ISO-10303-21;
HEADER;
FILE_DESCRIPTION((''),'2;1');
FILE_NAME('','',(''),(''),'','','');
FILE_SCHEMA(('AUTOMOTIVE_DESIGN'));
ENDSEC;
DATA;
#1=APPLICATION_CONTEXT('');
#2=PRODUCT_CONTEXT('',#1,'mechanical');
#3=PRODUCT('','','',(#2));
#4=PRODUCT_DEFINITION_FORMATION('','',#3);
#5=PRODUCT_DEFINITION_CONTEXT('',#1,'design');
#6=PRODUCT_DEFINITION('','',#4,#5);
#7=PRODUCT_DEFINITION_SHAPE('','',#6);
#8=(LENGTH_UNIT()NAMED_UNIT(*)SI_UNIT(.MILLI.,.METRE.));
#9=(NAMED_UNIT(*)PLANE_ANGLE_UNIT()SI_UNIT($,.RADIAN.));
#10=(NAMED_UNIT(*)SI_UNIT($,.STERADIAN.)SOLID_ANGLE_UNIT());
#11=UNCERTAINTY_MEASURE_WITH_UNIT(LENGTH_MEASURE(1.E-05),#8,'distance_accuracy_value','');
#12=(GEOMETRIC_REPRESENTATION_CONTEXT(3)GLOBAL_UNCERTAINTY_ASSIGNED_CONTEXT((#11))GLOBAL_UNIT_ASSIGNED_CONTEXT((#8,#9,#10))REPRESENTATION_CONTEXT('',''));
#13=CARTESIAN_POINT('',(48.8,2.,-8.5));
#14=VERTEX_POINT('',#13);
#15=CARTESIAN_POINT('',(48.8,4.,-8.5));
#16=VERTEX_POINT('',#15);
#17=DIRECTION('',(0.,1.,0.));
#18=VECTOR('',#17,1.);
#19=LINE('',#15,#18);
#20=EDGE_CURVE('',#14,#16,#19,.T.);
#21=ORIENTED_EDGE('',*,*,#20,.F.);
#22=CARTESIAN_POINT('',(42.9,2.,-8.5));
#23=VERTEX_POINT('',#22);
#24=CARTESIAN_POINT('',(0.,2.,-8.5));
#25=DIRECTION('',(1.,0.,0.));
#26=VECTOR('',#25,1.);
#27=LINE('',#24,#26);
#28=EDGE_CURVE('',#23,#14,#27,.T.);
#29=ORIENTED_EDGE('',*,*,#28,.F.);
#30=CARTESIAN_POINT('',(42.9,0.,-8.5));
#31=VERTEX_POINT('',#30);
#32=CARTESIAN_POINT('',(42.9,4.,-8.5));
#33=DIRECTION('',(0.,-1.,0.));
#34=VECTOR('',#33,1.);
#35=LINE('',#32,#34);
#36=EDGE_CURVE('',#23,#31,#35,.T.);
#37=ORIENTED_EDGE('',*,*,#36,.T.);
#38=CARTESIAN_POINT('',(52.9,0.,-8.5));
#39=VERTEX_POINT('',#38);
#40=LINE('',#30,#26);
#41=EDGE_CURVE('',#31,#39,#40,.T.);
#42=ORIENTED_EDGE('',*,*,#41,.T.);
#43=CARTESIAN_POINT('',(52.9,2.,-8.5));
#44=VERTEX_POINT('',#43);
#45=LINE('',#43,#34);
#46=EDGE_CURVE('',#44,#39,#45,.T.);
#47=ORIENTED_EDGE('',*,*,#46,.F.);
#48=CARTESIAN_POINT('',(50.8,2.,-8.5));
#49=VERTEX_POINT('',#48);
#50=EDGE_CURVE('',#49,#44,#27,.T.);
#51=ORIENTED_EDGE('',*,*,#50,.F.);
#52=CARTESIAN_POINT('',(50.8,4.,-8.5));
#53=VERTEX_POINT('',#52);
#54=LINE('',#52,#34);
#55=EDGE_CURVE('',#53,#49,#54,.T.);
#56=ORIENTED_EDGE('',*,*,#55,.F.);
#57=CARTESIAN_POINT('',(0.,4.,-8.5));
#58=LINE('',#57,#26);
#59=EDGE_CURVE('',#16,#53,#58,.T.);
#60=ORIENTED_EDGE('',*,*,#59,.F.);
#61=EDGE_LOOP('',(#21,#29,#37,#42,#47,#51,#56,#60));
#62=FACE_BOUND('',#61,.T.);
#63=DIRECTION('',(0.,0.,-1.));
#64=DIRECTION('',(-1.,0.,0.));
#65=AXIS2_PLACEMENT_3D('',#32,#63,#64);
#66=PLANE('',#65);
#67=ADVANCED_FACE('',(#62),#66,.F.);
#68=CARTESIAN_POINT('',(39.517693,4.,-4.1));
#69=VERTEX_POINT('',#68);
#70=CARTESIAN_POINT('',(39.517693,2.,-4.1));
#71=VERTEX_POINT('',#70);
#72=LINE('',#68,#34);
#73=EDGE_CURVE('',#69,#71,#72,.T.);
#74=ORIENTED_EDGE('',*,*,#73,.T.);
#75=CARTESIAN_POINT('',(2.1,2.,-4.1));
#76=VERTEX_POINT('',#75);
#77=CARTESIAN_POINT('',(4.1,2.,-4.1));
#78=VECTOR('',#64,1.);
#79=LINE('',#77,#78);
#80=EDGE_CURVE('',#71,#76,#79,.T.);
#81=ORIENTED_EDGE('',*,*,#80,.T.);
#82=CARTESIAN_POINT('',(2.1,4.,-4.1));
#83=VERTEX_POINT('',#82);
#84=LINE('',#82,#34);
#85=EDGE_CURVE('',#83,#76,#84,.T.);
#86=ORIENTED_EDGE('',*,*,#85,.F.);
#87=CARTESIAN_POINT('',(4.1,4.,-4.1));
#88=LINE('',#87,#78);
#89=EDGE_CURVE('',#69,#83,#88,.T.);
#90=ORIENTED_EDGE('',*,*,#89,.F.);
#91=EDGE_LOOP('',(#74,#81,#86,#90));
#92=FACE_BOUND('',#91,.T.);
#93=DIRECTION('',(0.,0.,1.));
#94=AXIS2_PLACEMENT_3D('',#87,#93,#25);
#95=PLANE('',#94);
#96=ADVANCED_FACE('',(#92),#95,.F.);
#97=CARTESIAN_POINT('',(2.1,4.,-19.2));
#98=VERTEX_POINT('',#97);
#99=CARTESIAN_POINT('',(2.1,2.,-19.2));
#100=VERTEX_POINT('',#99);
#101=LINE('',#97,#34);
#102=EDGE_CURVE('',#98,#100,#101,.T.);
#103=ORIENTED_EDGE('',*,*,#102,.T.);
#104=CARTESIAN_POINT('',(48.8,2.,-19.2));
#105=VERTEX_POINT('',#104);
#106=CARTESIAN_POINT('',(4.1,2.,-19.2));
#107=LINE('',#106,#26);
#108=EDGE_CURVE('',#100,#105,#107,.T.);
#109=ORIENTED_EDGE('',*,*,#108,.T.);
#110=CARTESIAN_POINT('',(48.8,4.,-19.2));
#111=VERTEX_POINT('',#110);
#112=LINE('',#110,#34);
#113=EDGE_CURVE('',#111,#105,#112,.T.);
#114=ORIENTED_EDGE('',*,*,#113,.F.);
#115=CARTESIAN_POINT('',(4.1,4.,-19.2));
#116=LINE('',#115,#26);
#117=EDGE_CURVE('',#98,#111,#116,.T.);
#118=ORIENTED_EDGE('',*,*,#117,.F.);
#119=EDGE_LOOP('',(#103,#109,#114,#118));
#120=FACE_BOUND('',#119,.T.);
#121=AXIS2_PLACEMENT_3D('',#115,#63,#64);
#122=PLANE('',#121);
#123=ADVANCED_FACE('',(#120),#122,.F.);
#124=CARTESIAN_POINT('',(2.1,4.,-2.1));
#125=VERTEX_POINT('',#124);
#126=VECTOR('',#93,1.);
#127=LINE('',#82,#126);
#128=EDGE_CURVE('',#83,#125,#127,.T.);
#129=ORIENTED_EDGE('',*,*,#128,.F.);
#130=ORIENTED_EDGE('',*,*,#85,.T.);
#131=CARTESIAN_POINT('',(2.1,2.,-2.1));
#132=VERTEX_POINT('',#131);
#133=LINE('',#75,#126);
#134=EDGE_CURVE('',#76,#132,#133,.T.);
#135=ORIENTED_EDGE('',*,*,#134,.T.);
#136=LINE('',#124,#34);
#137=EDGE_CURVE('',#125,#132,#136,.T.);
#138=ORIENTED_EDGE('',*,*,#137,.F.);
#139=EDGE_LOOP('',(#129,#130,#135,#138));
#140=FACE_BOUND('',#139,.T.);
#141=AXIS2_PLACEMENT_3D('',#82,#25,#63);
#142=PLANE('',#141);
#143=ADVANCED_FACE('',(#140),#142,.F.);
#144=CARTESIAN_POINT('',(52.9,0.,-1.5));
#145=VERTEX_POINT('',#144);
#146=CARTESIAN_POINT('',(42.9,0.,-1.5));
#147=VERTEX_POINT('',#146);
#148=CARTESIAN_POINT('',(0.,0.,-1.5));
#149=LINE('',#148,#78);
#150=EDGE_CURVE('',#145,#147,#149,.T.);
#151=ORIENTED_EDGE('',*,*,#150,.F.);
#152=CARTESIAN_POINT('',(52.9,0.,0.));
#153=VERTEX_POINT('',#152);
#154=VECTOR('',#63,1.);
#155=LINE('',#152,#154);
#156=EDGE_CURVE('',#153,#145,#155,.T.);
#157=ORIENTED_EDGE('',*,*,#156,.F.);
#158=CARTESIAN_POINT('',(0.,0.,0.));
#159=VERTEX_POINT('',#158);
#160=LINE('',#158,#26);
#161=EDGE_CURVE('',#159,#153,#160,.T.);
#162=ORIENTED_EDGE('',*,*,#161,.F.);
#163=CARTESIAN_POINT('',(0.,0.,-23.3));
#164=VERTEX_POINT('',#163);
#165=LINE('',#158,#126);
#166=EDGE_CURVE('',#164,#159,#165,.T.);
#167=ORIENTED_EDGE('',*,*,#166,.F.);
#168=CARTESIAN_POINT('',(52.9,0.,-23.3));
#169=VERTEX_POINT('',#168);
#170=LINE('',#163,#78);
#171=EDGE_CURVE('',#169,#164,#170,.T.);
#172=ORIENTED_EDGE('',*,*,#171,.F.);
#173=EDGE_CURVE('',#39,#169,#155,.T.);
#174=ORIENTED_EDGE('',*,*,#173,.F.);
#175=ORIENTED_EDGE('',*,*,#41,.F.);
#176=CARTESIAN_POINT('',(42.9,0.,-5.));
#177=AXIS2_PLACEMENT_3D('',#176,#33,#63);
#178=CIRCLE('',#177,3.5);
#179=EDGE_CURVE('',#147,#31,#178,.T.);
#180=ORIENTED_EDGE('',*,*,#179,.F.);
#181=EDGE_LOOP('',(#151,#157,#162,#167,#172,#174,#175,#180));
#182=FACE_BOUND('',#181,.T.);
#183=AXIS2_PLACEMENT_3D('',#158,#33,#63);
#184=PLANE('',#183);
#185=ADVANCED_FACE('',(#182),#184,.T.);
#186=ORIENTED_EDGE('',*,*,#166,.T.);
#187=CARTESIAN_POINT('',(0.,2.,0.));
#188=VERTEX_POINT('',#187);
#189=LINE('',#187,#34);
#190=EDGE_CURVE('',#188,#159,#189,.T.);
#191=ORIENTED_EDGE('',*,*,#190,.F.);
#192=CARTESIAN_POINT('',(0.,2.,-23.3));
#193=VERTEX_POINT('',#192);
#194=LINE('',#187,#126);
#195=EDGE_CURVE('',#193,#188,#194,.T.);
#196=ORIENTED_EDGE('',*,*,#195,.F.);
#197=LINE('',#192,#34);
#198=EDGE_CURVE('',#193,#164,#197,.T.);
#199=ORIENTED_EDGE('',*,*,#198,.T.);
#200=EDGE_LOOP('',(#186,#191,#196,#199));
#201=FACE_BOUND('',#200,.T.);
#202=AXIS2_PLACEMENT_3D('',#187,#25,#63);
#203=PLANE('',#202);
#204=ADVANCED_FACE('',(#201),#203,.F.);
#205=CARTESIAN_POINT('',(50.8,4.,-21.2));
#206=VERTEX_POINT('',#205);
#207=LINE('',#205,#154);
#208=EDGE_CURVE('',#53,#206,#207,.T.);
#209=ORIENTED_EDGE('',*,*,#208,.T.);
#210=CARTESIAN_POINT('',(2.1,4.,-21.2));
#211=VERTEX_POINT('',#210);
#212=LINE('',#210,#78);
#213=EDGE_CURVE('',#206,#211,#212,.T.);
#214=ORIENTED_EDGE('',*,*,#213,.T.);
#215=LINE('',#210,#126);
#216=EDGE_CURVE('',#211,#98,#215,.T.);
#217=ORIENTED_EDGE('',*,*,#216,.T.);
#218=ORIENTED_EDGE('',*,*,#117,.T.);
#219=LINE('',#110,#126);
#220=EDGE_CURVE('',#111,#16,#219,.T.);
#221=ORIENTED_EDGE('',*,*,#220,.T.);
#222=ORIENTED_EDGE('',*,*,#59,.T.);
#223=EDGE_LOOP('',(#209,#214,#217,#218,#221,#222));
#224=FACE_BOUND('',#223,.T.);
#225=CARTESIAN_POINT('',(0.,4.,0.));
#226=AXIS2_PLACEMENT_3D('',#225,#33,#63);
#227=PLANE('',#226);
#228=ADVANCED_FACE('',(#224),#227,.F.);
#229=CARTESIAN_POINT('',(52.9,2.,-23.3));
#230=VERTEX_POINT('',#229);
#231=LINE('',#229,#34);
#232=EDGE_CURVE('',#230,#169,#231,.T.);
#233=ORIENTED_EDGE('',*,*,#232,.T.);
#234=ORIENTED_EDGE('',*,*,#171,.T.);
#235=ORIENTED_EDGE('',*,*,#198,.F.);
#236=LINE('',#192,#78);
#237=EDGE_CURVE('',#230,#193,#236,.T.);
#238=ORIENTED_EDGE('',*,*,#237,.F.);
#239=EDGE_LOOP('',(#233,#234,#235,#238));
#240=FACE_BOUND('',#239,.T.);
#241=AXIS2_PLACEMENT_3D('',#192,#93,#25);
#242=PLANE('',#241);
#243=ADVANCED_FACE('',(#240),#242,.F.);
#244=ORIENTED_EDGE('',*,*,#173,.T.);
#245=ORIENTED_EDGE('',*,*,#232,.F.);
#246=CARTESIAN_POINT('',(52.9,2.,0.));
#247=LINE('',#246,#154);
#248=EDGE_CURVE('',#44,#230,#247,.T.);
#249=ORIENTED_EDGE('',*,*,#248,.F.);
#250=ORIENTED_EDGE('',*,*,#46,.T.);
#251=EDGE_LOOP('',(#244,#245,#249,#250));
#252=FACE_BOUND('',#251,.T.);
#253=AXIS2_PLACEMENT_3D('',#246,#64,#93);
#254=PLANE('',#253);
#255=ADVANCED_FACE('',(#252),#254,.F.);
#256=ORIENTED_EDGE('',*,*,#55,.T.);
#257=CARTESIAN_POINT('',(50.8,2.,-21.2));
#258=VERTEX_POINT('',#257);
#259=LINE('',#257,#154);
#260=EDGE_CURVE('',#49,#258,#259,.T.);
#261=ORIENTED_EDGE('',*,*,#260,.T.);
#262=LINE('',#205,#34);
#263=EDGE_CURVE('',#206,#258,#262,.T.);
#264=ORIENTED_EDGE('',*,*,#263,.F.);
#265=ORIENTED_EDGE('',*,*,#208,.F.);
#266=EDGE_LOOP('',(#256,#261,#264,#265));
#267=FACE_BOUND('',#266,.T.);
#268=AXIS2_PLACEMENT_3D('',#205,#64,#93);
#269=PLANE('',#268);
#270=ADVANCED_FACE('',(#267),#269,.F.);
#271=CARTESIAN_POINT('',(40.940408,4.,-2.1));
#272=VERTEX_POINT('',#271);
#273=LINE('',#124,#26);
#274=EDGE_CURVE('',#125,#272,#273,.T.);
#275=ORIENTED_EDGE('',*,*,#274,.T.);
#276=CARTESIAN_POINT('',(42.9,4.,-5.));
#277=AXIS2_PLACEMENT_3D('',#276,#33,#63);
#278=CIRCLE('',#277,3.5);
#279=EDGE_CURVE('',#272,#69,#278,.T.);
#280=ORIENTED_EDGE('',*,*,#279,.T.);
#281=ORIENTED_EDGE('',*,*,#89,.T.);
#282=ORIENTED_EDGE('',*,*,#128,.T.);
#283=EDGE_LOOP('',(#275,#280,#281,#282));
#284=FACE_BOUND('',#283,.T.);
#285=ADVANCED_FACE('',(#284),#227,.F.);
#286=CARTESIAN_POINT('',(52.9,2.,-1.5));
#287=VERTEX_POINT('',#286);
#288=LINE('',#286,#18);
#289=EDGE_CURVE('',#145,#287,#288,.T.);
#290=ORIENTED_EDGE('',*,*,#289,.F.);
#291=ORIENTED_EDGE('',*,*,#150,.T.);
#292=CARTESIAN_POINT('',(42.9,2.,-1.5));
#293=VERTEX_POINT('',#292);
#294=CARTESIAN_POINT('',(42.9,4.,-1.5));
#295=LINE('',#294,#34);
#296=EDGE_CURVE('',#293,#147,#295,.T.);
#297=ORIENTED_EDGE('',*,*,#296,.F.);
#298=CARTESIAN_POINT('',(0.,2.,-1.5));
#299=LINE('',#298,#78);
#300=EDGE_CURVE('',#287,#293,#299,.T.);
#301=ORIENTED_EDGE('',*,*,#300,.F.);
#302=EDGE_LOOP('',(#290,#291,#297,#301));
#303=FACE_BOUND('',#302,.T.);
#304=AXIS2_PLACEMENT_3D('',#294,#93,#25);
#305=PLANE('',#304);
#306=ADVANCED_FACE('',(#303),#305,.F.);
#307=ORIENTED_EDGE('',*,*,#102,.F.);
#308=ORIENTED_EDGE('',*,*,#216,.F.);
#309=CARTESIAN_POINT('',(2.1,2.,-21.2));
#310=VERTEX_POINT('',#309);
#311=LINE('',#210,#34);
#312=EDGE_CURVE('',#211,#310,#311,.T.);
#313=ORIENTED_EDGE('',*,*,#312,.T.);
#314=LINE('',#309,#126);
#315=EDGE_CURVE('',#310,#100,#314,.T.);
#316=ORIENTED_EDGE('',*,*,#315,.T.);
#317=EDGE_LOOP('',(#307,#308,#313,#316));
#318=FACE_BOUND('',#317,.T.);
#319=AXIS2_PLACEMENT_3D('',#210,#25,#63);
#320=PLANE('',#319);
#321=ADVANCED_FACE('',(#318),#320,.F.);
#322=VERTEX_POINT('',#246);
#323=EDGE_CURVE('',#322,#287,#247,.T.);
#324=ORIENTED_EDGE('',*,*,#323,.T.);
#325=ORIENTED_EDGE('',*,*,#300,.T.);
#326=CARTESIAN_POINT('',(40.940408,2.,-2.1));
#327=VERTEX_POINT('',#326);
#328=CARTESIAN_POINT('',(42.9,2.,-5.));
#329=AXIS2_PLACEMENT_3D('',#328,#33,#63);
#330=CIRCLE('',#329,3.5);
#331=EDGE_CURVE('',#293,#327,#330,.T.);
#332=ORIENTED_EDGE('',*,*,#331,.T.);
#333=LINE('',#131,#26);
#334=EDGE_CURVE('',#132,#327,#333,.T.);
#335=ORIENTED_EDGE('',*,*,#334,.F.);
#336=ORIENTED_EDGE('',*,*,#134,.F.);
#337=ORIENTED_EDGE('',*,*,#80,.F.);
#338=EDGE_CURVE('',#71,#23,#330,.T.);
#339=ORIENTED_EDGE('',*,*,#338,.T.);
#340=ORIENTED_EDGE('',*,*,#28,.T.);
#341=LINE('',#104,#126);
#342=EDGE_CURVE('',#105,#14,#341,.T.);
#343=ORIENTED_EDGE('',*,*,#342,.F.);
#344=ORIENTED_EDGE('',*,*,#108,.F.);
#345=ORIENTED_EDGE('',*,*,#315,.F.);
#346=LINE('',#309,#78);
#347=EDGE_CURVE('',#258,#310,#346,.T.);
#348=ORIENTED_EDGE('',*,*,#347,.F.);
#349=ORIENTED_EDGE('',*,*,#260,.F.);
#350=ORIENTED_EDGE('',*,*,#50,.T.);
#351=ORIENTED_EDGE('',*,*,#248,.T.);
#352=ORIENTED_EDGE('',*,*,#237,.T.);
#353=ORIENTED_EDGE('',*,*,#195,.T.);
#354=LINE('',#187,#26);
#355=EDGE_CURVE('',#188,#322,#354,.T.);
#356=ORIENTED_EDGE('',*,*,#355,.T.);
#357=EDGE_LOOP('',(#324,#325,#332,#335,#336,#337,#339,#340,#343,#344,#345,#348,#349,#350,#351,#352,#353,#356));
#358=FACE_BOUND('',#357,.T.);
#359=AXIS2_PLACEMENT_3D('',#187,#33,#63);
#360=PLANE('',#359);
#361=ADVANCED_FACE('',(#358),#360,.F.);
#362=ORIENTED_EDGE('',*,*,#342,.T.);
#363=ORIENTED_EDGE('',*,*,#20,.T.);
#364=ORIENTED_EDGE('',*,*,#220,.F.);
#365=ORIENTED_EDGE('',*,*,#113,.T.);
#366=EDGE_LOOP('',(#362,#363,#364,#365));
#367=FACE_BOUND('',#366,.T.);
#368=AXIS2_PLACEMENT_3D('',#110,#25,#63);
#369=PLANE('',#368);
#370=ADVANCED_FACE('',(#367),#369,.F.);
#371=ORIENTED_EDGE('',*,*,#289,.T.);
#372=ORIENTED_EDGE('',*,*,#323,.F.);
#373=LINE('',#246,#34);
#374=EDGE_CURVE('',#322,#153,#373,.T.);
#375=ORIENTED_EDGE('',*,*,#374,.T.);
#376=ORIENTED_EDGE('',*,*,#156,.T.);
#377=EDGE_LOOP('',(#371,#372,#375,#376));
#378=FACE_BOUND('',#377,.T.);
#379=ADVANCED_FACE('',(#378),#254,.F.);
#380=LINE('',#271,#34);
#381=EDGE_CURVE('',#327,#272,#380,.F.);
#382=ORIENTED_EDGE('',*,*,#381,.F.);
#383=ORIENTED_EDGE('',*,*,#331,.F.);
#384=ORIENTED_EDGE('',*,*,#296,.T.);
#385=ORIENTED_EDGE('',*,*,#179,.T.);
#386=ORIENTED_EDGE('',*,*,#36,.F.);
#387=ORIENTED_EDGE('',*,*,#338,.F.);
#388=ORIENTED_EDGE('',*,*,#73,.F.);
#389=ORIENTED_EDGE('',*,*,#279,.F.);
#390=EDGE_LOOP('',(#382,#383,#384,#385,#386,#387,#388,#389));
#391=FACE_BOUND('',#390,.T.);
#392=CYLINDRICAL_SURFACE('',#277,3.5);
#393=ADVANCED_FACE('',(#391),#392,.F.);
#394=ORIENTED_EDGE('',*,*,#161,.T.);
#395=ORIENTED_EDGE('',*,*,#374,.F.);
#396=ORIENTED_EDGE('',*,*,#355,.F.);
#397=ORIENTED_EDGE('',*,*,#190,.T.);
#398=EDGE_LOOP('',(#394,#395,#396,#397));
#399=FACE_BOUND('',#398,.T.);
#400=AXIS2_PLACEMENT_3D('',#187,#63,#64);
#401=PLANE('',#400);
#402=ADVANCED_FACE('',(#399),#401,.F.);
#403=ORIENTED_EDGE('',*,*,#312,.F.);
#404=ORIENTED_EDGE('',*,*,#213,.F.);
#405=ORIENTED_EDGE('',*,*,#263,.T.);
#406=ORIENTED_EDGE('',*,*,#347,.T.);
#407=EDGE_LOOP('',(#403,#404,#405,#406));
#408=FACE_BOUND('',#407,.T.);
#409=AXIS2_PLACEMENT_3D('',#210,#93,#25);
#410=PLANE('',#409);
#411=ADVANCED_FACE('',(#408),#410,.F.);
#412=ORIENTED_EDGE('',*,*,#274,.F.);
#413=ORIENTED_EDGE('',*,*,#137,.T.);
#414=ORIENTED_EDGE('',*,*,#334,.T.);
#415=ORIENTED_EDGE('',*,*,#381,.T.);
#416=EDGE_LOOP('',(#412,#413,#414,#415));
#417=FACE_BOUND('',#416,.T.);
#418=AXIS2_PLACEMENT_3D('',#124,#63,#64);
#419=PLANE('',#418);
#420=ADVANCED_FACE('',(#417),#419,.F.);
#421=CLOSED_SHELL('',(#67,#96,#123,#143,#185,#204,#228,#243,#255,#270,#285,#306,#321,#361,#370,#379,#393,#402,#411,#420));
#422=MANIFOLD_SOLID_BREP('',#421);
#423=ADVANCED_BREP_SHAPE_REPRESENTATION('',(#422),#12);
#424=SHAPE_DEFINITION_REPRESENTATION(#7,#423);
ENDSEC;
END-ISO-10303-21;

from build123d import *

# Parameters (mm, degrees)
SKETCH1_W           = 52.9
SKETCH1_H           = 23.3
BOSS_EXTRUDE1_DEPTH = 2
BOSS_EXTRUDE2_DEPTH = 2
CUT_EXTRUDE1_DEPTH  = 5


with BuildPart() as part:
    # Sketch1 → Boss-Extrude1 (new body)
    with BuildSketch(Plane(origin=(0, 0, 0), x_dir=(1, 0, 0), z_dir=(0, 1, 0))):
        with Locations((26.45, 11.65)):
            Rectangle(SKETCH1_W, SKETCH1_H)
    extrude(amount=BOSS_EXTRUDE1_DEPTH)

    # Sketch2 → Boss-Extrude2 (add)
    with BuildSketch(Plane(origin=(0, 2, 0), x_dir=(1, 0, 0), z_dir=(0, 1, 0))):
        Polygon((2.1, 21.2), (50.8, 21.2), (50.8, 2.1), (2.1, 2.1), (2.1, 4.1), (4.1, 4.1), (48.8, 4.1), (48.8, 19.2), (4.1, 19.2), (2.1, 19.2), align=None)
    extrude(amount=BOSS_EXTRUDE2_DEPTH)

    # Sketch3 → Cut-Extrude1 (cut, through all)
    with BuildSketch(Plane.XZ):
        with BuildLine():
            Line((42.9, -1.5), (53.235207038, -1.5))
            ThreePointArc((53.235207038, -1.5), (56.735207038, -5), (53.235207038, -8.5))
            Line((53.235207038, -8.5), (42.9, -8.5))
            ThreePointArc((42.9, -8.5), (39.4, -5), (42.9, -1.5))
        make_face()
    extrude(amount=-CUT_EXTRUDE1_DEPTH, mode=Mode.SUBTRACT)


solid = part.part
